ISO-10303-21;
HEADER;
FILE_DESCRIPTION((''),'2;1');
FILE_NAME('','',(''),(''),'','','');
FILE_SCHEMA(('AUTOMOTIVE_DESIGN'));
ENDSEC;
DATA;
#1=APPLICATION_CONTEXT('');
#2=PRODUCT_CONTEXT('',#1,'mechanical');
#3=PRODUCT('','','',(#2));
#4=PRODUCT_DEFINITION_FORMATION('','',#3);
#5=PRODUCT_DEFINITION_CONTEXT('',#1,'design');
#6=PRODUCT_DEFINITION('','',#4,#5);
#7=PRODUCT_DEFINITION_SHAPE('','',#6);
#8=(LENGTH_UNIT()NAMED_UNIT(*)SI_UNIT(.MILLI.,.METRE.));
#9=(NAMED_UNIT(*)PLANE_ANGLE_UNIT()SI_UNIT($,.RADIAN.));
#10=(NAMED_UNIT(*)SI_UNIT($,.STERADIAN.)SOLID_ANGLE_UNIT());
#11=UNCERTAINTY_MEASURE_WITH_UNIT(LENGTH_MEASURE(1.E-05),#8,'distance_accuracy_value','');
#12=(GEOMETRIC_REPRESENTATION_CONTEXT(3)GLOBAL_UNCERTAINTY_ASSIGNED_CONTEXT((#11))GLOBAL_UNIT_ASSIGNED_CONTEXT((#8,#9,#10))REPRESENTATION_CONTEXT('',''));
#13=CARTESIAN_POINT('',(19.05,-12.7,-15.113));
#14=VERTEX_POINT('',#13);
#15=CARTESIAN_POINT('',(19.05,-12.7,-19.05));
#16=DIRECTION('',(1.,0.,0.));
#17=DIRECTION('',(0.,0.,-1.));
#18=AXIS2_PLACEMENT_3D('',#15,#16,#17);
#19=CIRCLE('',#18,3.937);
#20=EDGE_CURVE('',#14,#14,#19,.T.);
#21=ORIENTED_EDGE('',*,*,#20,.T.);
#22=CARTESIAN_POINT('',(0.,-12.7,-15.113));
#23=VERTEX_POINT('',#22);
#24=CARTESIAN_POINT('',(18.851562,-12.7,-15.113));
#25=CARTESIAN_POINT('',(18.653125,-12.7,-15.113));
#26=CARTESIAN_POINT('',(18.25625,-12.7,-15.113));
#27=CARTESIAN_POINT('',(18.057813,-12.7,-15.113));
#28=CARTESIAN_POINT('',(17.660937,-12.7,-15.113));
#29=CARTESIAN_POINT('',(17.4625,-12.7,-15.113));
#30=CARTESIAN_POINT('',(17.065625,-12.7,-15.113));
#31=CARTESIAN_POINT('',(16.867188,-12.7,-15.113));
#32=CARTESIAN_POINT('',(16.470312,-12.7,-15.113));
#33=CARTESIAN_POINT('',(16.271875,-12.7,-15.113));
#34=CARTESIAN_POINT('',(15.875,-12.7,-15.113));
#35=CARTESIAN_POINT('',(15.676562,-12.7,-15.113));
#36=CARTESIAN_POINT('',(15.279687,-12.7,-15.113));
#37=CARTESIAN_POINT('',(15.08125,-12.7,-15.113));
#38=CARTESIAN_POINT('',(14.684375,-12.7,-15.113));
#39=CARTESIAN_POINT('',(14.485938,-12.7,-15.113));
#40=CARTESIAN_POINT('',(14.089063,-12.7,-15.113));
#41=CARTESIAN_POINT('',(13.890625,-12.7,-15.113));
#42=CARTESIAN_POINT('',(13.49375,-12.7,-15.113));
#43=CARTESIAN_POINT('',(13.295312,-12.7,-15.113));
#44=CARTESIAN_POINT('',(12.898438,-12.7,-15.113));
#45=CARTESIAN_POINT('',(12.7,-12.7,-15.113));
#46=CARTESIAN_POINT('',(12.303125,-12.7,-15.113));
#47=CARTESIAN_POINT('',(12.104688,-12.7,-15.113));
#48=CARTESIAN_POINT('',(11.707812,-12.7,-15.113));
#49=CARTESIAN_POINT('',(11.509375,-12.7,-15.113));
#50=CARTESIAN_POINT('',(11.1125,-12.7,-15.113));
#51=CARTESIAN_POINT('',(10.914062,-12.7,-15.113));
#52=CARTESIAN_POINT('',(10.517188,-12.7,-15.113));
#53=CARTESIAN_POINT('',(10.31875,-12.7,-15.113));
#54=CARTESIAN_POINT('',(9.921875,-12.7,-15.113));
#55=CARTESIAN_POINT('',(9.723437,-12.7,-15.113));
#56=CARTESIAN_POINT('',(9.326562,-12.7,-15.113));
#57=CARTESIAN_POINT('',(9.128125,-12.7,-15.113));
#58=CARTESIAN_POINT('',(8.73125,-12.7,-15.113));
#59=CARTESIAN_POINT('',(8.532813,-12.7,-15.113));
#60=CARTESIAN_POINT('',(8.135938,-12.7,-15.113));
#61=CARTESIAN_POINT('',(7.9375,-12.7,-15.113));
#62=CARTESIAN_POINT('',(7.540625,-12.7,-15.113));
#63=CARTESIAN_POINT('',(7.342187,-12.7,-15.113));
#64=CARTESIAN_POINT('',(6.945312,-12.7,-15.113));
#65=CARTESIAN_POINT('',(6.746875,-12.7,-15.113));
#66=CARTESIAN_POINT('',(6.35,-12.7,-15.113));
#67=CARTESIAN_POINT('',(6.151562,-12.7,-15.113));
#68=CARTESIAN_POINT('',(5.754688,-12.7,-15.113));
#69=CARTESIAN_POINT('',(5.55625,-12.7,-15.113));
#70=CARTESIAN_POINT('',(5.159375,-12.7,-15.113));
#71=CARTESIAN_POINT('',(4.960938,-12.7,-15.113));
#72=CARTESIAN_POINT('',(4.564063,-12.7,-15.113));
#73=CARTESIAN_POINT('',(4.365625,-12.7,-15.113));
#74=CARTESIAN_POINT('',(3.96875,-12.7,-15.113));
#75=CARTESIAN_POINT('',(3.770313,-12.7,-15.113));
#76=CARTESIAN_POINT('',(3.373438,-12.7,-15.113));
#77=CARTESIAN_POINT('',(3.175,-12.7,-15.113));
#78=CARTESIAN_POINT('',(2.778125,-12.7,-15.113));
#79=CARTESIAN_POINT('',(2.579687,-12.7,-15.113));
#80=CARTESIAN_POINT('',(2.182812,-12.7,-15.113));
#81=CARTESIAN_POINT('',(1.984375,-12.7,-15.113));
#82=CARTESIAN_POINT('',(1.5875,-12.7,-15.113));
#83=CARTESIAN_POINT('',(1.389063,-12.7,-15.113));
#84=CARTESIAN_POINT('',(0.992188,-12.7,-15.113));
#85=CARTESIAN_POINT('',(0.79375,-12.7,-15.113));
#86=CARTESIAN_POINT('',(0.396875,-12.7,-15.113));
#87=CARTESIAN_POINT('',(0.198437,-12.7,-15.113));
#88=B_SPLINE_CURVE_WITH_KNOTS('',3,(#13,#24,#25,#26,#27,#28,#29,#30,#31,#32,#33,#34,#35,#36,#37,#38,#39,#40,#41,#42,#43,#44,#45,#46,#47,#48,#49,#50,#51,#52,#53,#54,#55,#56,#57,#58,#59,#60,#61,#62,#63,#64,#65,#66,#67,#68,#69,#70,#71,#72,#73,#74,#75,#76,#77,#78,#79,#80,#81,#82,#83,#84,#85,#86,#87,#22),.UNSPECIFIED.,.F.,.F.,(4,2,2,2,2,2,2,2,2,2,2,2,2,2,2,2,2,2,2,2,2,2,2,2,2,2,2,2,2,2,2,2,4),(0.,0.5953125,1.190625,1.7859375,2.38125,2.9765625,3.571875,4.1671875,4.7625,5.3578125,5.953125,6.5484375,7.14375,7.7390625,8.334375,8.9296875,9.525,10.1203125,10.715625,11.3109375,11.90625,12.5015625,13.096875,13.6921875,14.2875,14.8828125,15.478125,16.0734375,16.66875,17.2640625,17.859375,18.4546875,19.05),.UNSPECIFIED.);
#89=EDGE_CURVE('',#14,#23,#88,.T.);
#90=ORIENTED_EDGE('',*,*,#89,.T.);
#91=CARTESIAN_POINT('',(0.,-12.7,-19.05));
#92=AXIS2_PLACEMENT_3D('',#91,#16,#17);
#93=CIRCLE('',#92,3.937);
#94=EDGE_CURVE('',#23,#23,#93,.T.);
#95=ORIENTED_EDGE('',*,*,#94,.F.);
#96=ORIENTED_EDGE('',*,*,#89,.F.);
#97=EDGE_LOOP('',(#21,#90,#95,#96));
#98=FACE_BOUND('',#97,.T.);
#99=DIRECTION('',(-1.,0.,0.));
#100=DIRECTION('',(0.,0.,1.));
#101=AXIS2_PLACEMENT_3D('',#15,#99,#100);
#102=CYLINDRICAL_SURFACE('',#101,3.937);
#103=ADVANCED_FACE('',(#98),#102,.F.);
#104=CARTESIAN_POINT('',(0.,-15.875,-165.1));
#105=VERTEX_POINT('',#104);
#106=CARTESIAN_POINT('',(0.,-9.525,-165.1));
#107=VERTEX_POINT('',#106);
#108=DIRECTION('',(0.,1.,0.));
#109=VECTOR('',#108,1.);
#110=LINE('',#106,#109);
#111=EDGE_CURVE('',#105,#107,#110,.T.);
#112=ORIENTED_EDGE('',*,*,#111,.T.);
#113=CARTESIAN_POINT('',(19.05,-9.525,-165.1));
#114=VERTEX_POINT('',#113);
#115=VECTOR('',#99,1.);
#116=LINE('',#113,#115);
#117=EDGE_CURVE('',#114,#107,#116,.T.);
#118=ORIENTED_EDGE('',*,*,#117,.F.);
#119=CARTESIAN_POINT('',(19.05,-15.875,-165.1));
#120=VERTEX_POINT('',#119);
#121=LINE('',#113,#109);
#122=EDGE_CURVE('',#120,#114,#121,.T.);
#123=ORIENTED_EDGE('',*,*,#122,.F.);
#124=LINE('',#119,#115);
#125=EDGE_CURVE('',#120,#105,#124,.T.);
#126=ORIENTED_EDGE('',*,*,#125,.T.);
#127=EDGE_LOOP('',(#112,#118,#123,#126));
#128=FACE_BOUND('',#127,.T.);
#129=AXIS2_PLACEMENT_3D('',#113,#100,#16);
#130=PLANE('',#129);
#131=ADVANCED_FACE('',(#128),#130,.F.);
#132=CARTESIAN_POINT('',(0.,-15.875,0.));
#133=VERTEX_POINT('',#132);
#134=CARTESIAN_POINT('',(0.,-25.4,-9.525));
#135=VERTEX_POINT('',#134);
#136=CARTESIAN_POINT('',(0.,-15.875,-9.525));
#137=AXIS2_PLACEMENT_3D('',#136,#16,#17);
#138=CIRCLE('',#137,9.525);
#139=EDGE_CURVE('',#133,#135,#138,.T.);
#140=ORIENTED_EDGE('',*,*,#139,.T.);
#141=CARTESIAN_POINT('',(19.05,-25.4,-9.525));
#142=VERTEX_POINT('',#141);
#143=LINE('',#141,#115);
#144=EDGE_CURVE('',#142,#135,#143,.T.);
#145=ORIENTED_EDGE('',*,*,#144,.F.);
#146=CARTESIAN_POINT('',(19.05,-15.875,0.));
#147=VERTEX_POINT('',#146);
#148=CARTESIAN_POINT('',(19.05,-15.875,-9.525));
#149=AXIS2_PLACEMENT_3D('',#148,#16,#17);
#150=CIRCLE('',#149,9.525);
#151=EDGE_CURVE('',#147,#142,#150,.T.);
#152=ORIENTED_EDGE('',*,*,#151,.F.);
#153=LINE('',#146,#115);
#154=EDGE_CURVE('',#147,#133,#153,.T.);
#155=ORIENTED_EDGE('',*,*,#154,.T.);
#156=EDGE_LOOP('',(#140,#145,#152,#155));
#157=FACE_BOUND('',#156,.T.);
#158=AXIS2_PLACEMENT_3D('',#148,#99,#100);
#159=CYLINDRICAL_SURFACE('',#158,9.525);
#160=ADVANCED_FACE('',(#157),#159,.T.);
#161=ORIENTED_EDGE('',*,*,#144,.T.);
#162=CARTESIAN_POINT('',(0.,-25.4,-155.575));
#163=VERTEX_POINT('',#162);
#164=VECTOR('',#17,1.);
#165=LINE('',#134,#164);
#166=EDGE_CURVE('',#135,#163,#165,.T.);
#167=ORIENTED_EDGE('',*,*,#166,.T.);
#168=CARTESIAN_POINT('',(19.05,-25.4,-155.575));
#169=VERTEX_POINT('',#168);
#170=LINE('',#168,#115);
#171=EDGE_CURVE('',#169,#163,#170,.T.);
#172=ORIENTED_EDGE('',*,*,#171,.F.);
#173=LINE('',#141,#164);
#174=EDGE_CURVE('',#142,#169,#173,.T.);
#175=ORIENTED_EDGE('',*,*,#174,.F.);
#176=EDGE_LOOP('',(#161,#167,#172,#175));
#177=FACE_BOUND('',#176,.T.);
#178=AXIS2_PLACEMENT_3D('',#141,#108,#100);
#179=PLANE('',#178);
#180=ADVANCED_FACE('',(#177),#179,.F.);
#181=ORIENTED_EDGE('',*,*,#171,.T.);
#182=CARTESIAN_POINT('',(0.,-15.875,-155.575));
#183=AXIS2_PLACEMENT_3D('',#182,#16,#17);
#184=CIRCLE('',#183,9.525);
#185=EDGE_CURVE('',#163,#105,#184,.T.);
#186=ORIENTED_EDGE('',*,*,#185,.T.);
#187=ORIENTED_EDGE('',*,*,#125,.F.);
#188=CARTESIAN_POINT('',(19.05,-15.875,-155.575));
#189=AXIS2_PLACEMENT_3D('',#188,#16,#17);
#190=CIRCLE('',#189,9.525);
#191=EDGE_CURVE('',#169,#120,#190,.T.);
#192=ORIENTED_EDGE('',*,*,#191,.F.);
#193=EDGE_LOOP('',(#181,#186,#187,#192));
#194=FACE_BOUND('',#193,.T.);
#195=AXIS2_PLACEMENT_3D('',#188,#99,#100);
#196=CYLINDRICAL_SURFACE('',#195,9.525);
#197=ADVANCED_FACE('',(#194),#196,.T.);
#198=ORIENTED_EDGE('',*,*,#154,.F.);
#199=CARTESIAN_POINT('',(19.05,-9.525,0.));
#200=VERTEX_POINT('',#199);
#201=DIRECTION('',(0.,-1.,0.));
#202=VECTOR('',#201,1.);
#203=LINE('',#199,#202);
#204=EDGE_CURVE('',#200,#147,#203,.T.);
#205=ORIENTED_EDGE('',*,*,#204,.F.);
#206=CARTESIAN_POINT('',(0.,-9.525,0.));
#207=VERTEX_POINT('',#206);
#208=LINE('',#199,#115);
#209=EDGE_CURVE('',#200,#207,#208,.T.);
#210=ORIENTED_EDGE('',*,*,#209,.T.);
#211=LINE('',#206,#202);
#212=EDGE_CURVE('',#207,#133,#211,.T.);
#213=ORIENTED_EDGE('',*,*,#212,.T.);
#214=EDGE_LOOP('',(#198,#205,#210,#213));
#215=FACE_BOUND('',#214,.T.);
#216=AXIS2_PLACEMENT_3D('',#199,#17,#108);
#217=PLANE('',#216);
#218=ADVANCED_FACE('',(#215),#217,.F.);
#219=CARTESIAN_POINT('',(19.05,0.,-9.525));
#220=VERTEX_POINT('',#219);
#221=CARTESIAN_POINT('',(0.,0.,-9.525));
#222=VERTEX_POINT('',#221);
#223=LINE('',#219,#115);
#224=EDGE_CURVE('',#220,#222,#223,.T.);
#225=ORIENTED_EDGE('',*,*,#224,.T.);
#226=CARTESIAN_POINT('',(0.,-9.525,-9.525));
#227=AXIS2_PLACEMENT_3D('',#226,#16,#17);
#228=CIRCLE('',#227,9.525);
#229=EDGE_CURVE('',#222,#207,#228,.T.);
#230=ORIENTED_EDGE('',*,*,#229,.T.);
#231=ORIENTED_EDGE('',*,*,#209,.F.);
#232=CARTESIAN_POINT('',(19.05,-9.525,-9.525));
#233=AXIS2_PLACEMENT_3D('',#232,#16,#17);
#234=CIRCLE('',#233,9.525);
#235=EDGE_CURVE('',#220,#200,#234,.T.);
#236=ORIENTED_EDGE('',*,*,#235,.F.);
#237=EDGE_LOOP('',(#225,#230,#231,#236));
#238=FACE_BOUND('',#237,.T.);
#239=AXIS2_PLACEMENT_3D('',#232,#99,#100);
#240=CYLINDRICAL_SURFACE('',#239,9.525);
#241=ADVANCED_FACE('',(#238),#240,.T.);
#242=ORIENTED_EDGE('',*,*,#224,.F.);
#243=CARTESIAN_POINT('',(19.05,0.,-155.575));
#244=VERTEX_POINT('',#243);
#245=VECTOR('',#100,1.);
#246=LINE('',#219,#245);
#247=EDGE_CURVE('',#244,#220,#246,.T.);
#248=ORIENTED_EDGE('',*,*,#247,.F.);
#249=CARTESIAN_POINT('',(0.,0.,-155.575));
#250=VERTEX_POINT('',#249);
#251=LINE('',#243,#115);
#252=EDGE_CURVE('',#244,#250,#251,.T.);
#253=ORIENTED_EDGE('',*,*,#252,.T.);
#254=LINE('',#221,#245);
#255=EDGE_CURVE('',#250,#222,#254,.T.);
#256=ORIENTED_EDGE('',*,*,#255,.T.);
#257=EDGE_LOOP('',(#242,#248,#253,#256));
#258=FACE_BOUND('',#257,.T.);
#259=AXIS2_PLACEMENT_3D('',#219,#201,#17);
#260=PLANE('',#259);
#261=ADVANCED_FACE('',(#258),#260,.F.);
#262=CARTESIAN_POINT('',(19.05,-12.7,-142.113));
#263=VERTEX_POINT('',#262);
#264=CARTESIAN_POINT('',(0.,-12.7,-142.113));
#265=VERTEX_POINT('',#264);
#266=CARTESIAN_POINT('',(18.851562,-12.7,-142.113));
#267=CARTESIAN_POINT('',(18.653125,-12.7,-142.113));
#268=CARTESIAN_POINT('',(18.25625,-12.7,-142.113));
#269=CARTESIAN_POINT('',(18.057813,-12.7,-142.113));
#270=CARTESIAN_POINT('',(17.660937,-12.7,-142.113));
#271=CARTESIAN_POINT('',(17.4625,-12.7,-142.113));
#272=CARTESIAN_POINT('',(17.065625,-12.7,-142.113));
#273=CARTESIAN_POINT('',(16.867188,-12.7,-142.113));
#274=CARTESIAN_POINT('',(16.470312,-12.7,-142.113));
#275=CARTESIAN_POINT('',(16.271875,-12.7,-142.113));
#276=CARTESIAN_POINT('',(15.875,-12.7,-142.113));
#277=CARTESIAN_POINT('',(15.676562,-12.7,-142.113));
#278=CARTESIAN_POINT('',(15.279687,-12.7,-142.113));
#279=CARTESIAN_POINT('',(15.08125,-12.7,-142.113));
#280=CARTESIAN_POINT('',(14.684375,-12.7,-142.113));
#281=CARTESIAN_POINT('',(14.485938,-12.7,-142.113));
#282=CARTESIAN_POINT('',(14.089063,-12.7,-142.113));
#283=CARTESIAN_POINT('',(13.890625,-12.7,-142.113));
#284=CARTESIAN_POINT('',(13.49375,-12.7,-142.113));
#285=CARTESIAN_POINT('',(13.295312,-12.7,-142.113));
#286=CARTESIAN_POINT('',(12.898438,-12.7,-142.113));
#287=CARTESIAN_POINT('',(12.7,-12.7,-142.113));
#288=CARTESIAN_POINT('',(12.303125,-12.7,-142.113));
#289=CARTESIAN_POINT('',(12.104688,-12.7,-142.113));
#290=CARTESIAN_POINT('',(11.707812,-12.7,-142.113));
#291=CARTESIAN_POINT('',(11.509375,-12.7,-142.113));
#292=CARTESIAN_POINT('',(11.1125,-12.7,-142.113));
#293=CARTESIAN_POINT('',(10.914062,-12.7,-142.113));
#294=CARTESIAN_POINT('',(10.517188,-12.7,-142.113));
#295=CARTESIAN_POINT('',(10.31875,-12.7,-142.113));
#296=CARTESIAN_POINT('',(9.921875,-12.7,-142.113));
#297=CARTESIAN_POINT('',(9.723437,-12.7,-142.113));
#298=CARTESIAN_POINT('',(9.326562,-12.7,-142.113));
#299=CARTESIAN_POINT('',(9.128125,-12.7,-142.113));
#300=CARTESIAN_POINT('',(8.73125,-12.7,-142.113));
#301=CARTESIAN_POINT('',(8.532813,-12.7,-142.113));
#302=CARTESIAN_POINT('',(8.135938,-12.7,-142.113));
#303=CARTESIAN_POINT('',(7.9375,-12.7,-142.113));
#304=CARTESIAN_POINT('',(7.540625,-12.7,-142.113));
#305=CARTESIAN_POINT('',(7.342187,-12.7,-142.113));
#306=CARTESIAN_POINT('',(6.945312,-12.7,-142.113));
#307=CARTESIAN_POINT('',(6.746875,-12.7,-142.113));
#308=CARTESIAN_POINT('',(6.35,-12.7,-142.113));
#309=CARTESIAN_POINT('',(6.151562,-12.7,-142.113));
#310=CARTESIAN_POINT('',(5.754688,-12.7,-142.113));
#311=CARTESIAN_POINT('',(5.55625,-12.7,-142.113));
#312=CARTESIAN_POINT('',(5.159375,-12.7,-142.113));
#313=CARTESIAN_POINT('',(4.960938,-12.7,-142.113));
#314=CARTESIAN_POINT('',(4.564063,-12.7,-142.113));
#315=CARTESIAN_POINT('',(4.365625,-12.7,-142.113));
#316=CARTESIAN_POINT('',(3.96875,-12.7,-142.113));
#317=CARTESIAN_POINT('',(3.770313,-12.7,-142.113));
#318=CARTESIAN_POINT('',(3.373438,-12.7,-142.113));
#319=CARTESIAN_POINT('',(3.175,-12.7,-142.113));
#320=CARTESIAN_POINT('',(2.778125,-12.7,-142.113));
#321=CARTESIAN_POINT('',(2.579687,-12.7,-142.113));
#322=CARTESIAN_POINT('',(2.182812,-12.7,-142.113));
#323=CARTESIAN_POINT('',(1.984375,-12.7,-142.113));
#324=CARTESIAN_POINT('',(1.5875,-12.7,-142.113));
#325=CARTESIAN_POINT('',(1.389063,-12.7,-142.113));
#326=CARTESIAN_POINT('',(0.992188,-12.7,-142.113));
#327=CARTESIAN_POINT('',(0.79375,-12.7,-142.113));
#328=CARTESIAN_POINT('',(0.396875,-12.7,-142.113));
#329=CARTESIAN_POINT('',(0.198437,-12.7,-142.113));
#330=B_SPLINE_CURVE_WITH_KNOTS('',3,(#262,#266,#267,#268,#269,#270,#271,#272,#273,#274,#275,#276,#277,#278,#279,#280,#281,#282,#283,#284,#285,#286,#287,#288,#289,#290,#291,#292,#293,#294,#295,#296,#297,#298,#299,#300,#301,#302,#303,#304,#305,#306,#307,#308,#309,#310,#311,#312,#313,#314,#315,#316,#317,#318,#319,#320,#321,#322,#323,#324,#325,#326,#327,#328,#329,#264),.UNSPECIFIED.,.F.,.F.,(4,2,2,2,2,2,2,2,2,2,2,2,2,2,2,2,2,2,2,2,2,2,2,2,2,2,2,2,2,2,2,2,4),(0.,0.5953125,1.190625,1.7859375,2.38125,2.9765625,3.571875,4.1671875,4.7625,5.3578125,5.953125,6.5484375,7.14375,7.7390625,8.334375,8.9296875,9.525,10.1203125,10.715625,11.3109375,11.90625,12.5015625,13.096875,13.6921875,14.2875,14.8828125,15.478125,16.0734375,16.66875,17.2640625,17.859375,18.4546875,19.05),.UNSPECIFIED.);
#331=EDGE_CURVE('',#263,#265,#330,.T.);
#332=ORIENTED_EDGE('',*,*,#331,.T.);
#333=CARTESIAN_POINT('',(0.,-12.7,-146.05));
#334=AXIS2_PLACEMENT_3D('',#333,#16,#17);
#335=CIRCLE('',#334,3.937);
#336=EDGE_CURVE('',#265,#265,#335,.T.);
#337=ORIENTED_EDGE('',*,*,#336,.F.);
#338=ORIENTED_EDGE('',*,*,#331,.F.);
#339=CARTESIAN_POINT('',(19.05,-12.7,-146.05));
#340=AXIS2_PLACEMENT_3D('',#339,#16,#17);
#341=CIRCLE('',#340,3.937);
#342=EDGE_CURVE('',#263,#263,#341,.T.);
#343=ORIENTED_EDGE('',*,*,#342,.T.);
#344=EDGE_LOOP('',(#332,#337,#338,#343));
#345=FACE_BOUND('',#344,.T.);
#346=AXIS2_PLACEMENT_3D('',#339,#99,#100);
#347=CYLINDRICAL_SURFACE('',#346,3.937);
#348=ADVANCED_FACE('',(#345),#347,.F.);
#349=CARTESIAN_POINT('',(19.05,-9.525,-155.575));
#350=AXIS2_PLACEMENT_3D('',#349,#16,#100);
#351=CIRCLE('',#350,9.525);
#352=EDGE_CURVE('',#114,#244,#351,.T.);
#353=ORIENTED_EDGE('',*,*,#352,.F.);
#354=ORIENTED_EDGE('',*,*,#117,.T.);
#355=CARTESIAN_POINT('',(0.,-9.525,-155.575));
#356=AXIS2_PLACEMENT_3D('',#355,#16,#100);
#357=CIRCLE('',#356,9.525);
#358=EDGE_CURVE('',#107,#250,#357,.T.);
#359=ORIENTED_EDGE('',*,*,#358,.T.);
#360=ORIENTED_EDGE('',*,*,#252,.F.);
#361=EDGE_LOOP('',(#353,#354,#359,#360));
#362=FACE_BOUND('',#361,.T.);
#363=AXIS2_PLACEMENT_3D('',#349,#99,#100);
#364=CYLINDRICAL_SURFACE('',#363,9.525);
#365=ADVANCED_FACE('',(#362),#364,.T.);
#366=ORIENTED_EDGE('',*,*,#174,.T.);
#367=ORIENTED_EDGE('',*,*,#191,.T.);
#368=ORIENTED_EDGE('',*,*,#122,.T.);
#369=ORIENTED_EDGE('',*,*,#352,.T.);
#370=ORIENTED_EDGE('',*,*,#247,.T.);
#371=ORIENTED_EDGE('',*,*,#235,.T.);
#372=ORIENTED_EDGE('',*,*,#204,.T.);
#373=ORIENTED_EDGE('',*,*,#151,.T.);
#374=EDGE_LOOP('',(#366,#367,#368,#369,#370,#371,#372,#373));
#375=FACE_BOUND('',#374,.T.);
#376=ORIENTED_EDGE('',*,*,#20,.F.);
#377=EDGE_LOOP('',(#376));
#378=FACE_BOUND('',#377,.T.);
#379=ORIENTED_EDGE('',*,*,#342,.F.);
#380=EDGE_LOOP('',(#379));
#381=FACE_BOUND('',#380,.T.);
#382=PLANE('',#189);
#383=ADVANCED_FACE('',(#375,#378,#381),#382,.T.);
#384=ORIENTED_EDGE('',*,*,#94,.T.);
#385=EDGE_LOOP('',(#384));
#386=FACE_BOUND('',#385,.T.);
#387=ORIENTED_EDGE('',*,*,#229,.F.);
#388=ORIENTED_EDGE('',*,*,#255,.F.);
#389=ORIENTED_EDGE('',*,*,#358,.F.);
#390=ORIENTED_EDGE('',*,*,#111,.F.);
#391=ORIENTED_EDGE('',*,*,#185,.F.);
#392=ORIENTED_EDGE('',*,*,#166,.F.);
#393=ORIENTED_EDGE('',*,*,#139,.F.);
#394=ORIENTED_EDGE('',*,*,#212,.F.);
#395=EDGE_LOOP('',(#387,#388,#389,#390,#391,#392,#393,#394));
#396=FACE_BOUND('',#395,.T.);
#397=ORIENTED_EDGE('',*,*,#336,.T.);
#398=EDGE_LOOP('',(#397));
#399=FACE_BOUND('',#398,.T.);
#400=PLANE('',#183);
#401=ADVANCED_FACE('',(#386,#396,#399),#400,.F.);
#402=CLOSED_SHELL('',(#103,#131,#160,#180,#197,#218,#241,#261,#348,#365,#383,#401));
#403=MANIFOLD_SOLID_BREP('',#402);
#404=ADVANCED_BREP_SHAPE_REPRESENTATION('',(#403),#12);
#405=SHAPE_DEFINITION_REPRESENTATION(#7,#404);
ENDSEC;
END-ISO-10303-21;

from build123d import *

# Parameters (mm, degrees)
SKETCH1_R           = 3.937
BOSS_EXTRUDE1_DEPTH = 19.05


with BuildPart() as part:
    # Sketch1 → Boss-Extrude1 (new body)
    with BuildSketch(Plane(origin=(0, 0, 0), x_dir=(0, 0, -1), z_dir=(1, 0, 0))):
        with BuildLine():
            Line((9.525, 0), (155.575, 0))
            ThreePointArc((155.575, 0), (162.310192091, -2.789807909), (165.1, -9.525))
            Line((165.1, -9.525), (165.1, -15.875))
            ThreePointArc((165.1, -15.875), (162.310192091, -22.610192091), (155.575, -25.4))
            Line((155.575, -25.4), (9.525, -25.4))
            ThreePointArc((9.525, -25.4), (2.789807909, -22.610192091), (0, -15.875))
            Line((0, -15.875), (0, -9.525))
            ThreePointArc((0, -9.525), (2.789807909, -2.789807909), (9.525, 0))
        make_face()
        with Locations(Location((19.05, -12.7, 0), (0, 0, 180))):
            Circle(SKETCH1_R, mode=Mode.SUBTRACT)
        with Locations(Location((146.05, -12.7, 0), (0, 0, 180))):
            Circle(SKETCH1_R, mode=Mode.SUBTRACT)
    extrude(amount=BOSS_EXTRUDE1_DEPTH)


solid = part.part
